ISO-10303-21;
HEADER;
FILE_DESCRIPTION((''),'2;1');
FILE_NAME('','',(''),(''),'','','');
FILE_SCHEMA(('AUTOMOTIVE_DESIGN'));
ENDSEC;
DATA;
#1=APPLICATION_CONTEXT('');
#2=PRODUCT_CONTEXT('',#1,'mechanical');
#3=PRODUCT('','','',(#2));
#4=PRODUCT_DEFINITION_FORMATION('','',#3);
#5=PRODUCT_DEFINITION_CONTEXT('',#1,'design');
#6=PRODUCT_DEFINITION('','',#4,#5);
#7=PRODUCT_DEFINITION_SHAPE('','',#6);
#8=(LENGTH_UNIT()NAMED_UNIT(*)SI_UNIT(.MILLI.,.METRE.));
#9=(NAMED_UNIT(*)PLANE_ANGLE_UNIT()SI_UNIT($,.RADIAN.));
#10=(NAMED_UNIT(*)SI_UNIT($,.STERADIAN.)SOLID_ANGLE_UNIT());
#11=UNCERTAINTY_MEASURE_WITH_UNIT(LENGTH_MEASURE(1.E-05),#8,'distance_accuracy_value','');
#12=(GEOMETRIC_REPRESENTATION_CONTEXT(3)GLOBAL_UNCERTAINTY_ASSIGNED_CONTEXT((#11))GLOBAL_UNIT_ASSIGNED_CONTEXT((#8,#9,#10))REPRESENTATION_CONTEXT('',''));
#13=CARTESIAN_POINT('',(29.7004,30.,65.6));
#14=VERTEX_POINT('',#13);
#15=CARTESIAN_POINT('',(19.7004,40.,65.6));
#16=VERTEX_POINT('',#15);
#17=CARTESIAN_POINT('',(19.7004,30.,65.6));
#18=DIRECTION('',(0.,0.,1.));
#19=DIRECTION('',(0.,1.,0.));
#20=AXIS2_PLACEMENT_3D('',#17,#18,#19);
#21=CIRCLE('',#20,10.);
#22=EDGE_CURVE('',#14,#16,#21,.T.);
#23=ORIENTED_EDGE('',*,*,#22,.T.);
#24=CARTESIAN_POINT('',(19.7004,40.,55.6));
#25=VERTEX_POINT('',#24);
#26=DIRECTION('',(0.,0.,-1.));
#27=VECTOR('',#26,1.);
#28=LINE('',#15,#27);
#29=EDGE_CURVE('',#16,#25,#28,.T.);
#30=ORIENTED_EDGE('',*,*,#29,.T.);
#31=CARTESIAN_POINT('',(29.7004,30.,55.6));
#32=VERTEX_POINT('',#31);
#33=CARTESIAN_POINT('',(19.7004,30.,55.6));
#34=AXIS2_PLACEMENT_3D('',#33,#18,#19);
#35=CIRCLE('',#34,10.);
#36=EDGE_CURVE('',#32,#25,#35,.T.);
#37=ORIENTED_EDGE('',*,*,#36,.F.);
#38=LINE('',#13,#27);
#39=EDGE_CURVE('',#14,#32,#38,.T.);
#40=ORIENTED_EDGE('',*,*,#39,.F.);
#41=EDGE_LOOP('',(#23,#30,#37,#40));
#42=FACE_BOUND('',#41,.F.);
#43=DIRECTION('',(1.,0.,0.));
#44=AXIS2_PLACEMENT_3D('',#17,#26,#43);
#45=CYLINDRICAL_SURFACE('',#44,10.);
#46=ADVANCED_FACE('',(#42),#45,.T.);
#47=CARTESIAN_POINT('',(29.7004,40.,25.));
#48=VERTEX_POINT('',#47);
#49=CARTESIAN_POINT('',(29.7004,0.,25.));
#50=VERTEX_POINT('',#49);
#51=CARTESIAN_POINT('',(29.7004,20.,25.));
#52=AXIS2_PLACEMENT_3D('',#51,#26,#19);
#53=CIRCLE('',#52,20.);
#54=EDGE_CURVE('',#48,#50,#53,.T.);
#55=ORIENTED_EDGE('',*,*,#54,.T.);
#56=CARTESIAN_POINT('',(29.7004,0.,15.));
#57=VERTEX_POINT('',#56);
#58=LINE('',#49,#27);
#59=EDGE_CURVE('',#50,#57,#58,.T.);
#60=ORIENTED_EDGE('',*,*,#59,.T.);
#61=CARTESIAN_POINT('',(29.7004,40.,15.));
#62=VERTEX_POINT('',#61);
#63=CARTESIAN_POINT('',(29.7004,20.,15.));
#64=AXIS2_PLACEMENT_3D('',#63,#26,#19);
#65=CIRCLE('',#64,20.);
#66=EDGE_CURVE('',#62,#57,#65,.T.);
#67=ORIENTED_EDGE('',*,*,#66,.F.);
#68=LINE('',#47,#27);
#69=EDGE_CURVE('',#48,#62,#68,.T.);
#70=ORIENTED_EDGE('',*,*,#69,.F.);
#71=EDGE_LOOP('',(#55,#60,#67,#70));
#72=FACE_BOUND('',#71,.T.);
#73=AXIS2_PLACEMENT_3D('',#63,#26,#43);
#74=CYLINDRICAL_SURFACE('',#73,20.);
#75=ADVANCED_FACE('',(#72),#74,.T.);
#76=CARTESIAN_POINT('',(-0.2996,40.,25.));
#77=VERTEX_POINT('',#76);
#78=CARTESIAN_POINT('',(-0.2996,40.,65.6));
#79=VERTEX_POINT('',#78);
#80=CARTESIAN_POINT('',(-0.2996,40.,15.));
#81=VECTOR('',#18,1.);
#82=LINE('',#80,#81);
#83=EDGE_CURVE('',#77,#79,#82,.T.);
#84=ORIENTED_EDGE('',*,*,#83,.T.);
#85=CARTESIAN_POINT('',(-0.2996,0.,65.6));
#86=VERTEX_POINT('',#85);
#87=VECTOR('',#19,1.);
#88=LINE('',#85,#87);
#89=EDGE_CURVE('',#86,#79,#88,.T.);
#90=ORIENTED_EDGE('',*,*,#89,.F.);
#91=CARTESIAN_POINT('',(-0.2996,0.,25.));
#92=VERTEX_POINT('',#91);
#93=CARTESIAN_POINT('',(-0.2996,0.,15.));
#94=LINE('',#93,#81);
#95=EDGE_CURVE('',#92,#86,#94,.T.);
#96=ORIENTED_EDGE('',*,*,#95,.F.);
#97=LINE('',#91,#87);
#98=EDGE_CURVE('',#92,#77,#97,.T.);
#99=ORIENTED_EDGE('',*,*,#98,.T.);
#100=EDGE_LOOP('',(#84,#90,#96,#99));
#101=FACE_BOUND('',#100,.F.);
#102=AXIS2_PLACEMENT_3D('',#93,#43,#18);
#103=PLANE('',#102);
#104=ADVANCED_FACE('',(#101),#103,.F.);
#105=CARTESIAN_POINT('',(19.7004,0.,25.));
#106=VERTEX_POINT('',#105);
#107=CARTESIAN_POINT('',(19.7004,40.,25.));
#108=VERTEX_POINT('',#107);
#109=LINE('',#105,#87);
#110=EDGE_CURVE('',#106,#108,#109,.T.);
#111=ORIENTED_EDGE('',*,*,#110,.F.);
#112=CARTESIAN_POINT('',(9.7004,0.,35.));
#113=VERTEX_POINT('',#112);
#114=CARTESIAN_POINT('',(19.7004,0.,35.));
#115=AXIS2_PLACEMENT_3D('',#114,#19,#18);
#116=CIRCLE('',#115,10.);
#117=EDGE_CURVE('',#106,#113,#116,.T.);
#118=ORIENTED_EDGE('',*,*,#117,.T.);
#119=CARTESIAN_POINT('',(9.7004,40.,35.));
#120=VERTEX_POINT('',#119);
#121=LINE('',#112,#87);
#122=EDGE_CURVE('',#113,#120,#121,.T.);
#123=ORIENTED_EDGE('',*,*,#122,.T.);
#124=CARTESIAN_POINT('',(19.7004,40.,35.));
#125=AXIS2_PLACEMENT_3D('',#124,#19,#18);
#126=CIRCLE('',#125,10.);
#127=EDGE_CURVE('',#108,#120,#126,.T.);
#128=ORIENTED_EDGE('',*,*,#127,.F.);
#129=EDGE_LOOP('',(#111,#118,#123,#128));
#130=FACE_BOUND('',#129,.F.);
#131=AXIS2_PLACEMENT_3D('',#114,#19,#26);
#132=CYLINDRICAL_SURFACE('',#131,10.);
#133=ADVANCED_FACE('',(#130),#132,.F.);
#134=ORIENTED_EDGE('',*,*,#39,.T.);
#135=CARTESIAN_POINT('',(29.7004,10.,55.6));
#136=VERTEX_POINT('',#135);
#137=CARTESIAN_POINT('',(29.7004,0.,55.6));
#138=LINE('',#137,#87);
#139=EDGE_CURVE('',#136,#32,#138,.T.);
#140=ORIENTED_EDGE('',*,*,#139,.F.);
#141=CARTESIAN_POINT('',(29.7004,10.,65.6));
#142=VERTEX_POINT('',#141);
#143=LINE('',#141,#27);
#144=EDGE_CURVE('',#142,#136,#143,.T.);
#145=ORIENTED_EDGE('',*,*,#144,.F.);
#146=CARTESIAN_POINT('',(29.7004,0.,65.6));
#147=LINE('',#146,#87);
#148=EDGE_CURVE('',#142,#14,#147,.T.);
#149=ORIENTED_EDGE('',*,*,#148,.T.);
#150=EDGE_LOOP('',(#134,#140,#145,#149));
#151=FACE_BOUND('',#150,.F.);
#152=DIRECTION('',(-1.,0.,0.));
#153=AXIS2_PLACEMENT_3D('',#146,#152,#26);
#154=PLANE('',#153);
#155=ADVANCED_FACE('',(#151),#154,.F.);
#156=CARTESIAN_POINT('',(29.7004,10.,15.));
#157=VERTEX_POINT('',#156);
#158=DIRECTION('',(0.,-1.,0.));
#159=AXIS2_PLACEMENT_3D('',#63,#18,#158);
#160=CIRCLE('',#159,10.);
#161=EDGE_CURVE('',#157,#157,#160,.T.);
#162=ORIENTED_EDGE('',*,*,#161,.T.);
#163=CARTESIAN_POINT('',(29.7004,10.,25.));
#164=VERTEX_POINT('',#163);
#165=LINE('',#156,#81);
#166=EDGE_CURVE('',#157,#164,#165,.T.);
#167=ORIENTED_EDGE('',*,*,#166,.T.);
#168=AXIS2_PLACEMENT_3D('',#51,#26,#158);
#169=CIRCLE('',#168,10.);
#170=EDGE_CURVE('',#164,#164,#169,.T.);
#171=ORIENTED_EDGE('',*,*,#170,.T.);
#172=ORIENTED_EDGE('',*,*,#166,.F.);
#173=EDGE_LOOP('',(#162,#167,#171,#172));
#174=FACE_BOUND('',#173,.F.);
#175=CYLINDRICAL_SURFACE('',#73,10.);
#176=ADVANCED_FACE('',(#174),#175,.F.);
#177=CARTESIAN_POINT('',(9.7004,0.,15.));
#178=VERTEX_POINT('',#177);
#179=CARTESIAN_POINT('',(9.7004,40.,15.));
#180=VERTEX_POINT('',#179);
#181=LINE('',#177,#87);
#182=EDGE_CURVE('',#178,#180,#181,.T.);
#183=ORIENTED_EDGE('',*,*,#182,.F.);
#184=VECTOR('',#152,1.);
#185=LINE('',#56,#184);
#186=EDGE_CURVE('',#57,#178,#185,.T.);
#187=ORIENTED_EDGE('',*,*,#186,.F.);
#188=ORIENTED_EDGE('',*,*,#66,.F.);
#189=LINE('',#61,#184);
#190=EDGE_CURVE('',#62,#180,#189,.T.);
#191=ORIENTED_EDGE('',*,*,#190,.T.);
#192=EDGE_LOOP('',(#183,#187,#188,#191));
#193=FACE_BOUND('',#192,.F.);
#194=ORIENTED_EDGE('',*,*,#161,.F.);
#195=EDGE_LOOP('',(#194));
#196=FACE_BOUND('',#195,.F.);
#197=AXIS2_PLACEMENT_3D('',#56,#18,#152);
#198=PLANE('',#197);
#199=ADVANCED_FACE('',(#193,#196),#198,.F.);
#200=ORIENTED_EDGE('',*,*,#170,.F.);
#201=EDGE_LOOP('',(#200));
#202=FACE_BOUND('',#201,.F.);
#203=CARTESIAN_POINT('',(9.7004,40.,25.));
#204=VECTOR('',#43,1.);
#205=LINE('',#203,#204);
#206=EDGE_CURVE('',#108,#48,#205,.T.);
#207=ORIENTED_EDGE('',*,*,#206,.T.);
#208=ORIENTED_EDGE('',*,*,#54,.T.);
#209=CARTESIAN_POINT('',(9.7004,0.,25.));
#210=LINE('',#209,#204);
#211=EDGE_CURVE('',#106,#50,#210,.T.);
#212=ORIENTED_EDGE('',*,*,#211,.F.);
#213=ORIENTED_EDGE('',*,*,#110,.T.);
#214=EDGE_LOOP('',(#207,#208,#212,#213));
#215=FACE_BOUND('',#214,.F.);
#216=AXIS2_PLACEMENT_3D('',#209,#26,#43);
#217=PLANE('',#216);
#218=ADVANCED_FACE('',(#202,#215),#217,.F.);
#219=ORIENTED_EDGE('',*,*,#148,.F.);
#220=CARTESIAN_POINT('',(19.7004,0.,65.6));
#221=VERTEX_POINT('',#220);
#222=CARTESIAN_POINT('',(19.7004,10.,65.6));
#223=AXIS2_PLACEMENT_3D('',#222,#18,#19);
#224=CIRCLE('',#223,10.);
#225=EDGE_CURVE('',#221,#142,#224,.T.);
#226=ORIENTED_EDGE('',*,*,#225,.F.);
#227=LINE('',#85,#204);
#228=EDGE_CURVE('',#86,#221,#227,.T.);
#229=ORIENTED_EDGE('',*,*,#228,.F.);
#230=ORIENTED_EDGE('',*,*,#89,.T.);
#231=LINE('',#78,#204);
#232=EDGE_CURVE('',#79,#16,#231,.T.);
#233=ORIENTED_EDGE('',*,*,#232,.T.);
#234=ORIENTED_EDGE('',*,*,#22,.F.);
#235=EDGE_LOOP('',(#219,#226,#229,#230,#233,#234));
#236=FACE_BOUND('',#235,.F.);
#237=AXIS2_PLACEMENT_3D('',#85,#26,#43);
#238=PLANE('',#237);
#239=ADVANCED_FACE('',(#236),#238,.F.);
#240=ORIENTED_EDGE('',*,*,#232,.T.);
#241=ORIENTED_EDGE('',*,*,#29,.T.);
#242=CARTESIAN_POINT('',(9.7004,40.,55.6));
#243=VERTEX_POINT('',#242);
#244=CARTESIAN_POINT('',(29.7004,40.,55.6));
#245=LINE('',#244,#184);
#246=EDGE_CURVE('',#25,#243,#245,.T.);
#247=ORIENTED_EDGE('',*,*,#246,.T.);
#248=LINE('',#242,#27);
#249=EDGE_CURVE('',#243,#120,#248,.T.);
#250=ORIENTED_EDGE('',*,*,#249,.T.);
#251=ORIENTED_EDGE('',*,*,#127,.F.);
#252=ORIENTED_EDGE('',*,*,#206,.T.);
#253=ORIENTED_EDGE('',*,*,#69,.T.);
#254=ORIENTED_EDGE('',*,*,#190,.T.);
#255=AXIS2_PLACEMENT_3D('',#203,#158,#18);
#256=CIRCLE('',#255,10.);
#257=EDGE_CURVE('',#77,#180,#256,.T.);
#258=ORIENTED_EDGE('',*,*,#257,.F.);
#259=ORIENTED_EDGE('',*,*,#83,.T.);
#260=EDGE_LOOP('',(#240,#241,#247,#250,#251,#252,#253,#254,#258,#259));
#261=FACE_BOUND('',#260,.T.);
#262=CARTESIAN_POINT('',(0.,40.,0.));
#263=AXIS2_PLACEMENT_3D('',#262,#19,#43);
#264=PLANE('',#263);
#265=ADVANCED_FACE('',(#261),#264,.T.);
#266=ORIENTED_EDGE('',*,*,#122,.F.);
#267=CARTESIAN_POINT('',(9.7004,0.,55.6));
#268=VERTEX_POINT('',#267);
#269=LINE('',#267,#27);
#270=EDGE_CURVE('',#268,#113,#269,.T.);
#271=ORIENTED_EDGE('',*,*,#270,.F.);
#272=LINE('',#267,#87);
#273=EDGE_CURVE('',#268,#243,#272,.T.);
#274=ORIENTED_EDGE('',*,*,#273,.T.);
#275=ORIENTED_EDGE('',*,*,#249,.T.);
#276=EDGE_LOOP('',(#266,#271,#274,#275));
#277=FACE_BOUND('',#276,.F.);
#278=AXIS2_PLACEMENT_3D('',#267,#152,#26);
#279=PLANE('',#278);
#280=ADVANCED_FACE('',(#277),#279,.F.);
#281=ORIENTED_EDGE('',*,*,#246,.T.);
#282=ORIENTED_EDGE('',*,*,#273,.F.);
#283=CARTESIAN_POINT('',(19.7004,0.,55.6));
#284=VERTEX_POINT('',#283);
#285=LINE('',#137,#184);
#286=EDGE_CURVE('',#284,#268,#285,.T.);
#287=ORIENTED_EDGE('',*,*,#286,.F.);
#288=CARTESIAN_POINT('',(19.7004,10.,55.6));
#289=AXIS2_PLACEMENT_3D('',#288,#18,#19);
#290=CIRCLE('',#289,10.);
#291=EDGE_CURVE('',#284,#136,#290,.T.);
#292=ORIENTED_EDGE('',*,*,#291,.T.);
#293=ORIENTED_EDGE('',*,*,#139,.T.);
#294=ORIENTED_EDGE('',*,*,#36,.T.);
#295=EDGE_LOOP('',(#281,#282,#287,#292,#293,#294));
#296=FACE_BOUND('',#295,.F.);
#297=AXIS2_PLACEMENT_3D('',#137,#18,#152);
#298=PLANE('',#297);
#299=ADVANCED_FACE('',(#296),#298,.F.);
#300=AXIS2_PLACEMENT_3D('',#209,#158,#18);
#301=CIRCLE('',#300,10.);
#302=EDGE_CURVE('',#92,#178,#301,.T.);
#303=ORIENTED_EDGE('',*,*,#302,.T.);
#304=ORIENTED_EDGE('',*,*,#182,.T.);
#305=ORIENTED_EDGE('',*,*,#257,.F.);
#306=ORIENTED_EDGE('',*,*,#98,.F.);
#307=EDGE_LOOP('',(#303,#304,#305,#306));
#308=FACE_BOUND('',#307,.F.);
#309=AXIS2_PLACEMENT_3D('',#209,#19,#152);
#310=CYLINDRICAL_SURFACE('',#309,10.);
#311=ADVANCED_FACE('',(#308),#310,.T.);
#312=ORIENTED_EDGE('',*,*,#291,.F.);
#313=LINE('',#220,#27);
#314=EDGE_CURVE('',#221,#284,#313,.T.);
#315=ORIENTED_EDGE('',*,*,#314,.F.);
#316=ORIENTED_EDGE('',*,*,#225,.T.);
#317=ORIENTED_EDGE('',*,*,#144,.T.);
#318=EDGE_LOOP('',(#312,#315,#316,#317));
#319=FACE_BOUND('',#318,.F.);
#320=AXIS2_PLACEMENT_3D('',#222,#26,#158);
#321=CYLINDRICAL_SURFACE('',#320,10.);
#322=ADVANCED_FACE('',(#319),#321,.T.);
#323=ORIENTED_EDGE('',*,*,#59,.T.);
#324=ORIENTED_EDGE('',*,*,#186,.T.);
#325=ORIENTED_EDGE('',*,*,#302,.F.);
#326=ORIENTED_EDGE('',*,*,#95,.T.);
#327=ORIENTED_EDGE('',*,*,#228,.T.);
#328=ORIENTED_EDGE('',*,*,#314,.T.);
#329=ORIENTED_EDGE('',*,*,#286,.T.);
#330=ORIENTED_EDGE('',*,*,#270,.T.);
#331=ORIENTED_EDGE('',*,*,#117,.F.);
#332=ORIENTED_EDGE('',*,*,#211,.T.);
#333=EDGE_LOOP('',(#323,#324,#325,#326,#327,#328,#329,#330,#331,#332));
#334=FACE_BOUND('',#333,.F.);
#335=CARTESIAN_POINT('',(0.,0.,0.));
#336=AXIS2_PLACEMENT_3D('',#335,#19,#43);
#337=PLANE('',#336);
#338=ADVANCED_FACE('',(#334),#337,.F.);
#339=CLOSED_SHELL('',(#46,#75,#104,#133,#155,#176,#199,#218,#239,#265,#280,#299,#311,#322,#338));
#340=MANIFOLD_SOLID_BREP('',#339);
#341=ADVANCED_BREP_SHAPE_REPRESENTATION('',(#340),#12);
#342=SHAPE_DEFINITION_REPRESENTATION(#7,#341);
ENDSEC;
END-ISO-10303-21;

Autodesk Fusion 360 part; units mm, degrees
sketch "Sketch1" plane through (0, 0, 0) normal (0, 1, 0) x (1, 0, 0)
  line L0 (29.7004, -65.6) -> (29.7004, -55.6)
  line L1 (29.7004, -55.6) -> (9.7004, -55.6)
  line L2 (9.7004, -55.6) -> (9.7004, -25)
  line L3 (9.7004, -25) -> (29.7004, -25)
  line L4 (29.7004, -25) -> (29.7004, -15)
  line L5 (29.7004, -15) -> (-0.2996, -15)
  line L6 (-0.2996, -15) -> (-0.2996, -65.6)
  line L7 (-0.2996, -65.6) -> (29.7004, -65.6)
  dimension "d1" = 10
  dimension "d2" = 10
  dimension "d5" = 10
  dimension "d6" = 30
  dimension "d7" = 50.6
  dimension "d8" = 30
extrude "Extrude1" add sketch "Sketch1" along normal blind 40
sketch "Sketch2" plane through (0, 0, 15) normal (0, 0, -1) x (1, 0, 0)
  line L0 (29.7004, 0) -> (-0.2996, 0)
  line L1 (-0.2996, 0) -> (-0.2996, -40)
  line L2 (-0.2996, -40) -> (29.7004, -40)
  line L3 (29.7004, -40) -> (29.7004, 0)
  circle A0 centre (29.7004, -20) radius 20
  circle A1 centre (29.7004, -20) radius 10
  dimension "d11" = 20
extrude "Extrude2" add sketch "Sketch2" against normal blind 10 contours L3 A0 A1 picked at (46.2992, -20.9488)
extrude "Extrude3" cut sketch "Sketch2" against normal blind 10 contours L3 A1 picked at (26.4507, -19.2583)
fillet "Fillet1" radius 10 1 edges at (-0.2996, 20, 15)
fillet "Fillet2" radius 10 1 edges at (9.7004, 20, 25)
fillet "Fillet3" radius 10 2 edges at (29.7004, 0, 60.6) (29.7004, 40, 60.6)
